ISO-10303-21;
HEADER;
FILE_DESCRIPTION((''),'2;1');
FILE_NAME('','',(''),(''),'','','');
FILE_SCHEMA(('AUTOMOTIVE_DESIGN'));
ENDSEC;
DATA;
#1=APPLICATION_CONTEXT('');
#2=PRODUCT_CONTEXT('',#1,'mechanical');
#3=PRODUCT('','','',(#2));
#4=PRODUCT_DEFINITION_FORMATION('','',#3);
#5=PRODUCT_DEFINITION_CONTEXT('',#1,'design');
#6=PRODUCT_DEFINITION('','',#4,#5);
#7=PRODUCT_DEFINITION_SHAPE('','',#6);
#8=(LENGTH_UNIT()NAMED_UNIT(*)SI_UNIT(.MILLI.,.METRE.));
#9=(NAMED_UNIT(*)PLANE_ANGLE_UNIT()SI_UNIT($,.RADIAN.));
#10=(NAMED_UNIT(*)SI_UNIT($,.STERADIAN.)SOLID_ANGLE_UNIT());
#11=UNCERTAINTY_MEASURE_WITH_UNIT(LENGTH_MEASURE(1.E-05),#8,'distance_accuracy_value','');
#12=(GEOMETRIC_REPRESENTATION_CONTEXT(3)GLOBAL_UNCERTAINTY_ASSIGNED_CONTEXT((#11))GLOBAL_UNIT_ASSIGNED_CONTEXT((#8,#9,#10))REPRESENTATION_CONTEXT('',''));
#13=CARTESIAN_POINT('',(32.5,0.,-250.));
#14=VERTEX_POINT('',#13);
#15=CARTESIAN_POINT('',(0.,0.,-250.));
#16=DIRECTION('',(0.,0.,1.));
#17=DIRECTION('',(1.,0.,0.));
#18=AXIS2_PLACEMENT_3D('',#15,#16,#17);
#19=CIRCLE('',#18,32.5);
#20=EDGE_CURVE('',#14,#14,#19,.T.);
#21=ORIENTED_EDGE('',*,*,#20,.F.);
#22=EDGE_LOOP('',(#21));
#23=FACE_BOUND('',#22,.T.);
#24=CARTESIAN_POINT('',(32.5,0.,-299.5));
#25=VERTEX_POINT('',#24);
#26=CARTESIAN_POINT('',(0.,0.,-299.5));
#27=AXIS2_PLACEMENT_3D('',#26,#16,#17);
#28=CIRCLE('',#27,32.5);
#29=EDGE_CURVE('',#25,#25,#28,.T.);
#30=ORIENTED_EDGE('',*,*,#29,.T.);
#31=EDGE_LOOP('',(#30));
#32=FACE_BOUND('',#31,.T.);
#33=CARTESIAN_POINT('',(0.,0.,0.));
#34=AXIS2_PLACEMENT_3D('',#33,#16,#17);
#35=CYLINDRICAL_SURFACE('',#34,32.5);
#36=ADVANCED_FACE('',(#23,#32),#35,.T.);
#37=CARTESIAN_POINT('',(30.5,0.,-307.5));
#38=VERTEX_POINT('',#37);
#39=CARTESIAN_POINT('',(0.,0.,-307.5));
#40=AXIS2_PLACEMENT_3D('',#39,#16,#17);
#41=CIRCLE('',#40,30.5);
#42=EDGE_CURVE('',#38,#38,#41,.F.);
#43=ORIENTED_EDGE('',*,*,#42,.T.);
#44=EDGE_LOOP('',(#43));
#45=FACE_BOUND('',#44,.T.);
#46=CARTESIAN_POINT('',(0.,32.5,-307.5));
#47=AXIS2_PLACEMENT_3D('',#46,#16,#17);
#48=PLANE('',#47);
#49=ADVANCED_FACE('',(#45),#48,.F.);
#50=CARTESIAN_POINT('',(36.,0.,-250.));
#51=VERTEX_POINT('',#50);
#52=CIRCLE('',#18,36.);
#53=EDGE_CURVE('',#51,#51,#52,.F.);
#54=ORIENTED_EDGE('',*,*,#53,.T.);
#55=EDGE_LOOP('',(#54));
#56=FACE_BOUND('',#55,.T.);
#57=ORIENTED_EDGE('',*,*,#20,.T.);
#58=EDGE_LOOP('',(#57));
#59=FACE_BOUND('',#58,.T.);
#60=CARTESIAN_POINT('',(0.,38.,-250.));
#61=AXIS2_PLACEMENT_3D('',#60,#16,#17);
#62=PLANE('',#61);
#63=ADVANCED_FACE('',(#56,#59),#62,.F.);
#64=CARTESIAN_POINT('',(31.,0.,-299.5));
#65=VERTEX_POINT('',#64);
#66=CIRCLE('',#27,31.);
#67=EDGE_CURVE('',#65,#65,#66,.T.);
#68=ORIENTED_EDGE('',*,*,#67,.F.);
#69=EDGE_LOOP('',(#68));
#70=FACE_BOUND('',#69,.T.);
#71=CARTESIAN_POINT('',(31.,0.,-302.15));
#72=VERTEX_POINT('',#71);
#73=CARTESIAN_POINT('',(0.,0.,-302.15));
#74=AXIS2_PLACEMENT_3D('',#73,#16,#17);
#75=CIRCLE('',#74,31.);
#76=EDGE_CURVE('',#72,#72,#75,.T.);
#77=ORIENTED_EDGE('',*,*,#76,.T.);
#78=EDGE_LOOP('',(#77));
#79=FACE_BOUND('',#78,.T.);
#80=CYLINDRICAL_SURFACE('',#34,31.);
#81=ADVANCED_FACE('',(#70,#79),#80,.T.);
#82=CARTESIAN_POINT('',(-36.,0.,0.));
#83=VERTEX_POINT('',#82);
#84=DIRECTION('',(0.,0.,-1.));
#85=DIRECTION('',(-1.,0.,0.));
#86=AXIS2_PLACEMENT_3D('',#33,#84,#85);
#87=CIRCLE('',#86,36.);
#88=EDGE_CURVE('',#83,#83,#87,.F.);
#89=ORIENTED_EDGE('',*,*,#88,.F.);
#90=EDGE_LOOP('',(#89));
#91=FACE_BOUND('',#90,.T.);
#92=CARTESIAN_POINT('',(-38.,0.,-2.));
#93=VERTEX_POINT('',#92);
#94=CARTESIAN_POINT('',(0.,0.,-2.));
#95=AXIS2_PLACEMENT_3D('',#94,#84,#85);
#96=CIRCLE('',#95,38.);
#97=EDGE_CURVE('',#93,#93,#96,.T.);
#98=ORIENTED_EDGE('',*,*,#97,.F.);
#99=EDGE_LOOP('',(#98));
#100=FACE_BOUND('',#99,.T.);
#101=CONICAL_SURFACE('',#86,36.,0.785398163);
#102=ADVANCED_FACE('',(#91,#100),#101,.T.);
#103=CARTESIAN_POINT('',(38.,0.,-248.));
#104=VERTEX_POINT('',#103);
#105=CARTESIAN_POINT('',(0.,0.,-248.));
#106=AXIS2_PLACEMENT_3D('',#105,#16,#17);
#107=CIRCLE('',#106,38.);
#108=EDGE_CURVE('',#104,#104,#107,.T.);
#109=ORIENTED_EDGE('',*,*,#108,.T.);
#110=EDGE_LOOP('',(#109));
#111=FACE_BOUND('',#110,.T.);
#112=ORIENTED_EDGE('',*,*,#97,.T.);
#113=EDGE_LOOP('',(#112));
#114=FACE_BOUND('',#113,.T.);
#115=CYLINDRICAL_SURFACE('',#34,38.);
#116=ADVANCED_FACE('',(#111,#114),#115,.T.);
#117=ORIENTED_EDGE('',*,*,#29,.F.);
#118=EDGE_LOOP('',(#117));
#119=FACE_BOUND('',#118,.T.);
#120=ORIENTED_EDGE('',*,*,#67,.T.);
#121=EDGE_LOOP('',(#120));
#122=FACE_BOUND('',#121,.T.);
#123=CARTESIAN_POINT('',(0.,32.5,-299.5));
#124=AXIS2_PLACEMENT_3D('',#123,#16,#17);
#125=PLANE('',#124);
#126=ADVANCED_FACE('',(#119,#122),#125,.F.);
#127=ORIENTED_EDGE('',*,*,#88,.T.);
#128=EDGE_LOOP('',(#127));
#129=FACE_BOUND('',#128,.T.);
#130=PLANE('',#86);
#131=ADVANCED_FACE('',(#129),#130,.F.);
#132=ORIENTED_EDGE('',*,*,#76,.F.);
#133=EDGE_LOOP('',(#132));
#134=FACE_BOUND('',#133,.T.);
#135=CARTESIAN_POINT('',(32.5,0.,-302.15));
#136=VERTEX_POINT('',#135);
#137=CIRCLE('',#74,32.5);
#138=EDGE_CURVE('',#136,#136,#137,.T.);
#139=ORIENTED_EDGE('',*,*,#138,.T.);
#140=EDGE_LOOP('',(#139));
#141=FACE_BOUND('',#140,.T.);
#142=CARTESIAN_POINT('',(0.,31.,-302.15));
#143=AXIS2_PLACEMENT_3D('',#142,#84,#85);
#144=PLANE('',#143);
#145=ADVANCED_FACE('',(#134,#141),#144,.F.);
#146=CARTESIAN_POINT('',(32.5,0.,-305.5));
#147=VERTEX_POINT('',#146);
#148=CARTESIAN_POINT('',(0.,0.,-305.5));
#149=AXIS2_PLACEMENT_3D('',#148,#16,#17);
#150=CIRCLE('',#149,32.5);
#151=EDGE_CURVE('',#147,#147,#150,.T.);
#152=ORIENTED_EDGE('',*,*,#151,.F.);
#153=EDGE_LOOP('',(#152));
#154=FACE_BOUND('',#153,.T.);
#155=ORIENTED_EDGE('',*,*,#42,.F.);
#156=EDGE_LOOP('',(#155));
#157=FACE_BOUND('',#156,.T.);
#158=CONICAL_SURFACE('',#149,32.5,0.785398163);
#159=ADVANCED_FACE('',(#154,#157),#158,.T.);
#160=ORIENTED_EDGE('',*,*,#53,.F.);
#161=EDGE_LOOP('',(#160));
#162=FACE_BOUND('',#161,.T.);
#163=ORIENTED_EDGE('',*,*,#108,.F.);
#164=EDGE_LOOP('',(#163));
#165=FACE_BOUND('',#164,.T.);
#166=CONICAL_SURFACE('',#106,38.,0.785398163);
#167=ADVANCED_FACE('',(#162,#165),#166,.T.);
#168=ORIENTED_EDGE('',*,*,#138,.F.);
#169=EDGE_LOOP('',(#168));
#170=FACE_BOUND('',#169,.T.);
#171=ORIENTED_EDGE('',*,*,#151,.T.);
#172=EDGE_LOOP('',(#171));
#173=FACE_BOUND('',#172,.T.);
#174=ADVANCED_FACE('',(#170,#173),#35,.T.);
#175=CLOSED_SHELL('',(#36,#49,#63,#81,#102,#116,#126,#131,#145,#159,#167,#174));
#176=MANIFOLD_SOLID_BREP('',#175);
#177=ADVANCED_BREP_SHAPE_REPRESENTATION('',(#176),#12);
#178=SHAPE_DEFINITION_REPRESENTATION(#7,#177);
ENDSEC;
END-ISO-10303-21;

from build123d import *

# Parameters (mm, degrees)
CHAMFER_1_SIZE = 2


with BuildPart() as part:
    # Эскиз1 → Повернуть1 (revolve)
    with BuildSketch(Plane(origin=(0, 0, 0), x_dir=(0, 0, -1), z_dir=(1, 0, 0)), mode=Mode.PRIVATE) as revolve_1_sk:
        Polygon((0, 0), (0, 38), (250, 38), (250, 32.5), (299.5, 32.5), (299.5, 31), (302.15, 31), (302.15, 32.5), (307.5, 32.5), (307.5, 0), align=None)
    revolve(revolve_1_sk.sketch.rotate(Axis((0, 0, 0), (0, 0, -1)), 90), axis=Axis((0, 0, 0), (0, 0, -1)))

    # Фаска1
    chamfer_1_edges = [part.edges().sort_by_distance(p)[0] for p in [
        (-38, 0, -250),
        (-38, 0, 0),
        (-32.5, 0, -307.5),
    ]]
    chamfer(chamfer_1_edges, length=CHAMFER_1_SIZE)


solid = part.part
